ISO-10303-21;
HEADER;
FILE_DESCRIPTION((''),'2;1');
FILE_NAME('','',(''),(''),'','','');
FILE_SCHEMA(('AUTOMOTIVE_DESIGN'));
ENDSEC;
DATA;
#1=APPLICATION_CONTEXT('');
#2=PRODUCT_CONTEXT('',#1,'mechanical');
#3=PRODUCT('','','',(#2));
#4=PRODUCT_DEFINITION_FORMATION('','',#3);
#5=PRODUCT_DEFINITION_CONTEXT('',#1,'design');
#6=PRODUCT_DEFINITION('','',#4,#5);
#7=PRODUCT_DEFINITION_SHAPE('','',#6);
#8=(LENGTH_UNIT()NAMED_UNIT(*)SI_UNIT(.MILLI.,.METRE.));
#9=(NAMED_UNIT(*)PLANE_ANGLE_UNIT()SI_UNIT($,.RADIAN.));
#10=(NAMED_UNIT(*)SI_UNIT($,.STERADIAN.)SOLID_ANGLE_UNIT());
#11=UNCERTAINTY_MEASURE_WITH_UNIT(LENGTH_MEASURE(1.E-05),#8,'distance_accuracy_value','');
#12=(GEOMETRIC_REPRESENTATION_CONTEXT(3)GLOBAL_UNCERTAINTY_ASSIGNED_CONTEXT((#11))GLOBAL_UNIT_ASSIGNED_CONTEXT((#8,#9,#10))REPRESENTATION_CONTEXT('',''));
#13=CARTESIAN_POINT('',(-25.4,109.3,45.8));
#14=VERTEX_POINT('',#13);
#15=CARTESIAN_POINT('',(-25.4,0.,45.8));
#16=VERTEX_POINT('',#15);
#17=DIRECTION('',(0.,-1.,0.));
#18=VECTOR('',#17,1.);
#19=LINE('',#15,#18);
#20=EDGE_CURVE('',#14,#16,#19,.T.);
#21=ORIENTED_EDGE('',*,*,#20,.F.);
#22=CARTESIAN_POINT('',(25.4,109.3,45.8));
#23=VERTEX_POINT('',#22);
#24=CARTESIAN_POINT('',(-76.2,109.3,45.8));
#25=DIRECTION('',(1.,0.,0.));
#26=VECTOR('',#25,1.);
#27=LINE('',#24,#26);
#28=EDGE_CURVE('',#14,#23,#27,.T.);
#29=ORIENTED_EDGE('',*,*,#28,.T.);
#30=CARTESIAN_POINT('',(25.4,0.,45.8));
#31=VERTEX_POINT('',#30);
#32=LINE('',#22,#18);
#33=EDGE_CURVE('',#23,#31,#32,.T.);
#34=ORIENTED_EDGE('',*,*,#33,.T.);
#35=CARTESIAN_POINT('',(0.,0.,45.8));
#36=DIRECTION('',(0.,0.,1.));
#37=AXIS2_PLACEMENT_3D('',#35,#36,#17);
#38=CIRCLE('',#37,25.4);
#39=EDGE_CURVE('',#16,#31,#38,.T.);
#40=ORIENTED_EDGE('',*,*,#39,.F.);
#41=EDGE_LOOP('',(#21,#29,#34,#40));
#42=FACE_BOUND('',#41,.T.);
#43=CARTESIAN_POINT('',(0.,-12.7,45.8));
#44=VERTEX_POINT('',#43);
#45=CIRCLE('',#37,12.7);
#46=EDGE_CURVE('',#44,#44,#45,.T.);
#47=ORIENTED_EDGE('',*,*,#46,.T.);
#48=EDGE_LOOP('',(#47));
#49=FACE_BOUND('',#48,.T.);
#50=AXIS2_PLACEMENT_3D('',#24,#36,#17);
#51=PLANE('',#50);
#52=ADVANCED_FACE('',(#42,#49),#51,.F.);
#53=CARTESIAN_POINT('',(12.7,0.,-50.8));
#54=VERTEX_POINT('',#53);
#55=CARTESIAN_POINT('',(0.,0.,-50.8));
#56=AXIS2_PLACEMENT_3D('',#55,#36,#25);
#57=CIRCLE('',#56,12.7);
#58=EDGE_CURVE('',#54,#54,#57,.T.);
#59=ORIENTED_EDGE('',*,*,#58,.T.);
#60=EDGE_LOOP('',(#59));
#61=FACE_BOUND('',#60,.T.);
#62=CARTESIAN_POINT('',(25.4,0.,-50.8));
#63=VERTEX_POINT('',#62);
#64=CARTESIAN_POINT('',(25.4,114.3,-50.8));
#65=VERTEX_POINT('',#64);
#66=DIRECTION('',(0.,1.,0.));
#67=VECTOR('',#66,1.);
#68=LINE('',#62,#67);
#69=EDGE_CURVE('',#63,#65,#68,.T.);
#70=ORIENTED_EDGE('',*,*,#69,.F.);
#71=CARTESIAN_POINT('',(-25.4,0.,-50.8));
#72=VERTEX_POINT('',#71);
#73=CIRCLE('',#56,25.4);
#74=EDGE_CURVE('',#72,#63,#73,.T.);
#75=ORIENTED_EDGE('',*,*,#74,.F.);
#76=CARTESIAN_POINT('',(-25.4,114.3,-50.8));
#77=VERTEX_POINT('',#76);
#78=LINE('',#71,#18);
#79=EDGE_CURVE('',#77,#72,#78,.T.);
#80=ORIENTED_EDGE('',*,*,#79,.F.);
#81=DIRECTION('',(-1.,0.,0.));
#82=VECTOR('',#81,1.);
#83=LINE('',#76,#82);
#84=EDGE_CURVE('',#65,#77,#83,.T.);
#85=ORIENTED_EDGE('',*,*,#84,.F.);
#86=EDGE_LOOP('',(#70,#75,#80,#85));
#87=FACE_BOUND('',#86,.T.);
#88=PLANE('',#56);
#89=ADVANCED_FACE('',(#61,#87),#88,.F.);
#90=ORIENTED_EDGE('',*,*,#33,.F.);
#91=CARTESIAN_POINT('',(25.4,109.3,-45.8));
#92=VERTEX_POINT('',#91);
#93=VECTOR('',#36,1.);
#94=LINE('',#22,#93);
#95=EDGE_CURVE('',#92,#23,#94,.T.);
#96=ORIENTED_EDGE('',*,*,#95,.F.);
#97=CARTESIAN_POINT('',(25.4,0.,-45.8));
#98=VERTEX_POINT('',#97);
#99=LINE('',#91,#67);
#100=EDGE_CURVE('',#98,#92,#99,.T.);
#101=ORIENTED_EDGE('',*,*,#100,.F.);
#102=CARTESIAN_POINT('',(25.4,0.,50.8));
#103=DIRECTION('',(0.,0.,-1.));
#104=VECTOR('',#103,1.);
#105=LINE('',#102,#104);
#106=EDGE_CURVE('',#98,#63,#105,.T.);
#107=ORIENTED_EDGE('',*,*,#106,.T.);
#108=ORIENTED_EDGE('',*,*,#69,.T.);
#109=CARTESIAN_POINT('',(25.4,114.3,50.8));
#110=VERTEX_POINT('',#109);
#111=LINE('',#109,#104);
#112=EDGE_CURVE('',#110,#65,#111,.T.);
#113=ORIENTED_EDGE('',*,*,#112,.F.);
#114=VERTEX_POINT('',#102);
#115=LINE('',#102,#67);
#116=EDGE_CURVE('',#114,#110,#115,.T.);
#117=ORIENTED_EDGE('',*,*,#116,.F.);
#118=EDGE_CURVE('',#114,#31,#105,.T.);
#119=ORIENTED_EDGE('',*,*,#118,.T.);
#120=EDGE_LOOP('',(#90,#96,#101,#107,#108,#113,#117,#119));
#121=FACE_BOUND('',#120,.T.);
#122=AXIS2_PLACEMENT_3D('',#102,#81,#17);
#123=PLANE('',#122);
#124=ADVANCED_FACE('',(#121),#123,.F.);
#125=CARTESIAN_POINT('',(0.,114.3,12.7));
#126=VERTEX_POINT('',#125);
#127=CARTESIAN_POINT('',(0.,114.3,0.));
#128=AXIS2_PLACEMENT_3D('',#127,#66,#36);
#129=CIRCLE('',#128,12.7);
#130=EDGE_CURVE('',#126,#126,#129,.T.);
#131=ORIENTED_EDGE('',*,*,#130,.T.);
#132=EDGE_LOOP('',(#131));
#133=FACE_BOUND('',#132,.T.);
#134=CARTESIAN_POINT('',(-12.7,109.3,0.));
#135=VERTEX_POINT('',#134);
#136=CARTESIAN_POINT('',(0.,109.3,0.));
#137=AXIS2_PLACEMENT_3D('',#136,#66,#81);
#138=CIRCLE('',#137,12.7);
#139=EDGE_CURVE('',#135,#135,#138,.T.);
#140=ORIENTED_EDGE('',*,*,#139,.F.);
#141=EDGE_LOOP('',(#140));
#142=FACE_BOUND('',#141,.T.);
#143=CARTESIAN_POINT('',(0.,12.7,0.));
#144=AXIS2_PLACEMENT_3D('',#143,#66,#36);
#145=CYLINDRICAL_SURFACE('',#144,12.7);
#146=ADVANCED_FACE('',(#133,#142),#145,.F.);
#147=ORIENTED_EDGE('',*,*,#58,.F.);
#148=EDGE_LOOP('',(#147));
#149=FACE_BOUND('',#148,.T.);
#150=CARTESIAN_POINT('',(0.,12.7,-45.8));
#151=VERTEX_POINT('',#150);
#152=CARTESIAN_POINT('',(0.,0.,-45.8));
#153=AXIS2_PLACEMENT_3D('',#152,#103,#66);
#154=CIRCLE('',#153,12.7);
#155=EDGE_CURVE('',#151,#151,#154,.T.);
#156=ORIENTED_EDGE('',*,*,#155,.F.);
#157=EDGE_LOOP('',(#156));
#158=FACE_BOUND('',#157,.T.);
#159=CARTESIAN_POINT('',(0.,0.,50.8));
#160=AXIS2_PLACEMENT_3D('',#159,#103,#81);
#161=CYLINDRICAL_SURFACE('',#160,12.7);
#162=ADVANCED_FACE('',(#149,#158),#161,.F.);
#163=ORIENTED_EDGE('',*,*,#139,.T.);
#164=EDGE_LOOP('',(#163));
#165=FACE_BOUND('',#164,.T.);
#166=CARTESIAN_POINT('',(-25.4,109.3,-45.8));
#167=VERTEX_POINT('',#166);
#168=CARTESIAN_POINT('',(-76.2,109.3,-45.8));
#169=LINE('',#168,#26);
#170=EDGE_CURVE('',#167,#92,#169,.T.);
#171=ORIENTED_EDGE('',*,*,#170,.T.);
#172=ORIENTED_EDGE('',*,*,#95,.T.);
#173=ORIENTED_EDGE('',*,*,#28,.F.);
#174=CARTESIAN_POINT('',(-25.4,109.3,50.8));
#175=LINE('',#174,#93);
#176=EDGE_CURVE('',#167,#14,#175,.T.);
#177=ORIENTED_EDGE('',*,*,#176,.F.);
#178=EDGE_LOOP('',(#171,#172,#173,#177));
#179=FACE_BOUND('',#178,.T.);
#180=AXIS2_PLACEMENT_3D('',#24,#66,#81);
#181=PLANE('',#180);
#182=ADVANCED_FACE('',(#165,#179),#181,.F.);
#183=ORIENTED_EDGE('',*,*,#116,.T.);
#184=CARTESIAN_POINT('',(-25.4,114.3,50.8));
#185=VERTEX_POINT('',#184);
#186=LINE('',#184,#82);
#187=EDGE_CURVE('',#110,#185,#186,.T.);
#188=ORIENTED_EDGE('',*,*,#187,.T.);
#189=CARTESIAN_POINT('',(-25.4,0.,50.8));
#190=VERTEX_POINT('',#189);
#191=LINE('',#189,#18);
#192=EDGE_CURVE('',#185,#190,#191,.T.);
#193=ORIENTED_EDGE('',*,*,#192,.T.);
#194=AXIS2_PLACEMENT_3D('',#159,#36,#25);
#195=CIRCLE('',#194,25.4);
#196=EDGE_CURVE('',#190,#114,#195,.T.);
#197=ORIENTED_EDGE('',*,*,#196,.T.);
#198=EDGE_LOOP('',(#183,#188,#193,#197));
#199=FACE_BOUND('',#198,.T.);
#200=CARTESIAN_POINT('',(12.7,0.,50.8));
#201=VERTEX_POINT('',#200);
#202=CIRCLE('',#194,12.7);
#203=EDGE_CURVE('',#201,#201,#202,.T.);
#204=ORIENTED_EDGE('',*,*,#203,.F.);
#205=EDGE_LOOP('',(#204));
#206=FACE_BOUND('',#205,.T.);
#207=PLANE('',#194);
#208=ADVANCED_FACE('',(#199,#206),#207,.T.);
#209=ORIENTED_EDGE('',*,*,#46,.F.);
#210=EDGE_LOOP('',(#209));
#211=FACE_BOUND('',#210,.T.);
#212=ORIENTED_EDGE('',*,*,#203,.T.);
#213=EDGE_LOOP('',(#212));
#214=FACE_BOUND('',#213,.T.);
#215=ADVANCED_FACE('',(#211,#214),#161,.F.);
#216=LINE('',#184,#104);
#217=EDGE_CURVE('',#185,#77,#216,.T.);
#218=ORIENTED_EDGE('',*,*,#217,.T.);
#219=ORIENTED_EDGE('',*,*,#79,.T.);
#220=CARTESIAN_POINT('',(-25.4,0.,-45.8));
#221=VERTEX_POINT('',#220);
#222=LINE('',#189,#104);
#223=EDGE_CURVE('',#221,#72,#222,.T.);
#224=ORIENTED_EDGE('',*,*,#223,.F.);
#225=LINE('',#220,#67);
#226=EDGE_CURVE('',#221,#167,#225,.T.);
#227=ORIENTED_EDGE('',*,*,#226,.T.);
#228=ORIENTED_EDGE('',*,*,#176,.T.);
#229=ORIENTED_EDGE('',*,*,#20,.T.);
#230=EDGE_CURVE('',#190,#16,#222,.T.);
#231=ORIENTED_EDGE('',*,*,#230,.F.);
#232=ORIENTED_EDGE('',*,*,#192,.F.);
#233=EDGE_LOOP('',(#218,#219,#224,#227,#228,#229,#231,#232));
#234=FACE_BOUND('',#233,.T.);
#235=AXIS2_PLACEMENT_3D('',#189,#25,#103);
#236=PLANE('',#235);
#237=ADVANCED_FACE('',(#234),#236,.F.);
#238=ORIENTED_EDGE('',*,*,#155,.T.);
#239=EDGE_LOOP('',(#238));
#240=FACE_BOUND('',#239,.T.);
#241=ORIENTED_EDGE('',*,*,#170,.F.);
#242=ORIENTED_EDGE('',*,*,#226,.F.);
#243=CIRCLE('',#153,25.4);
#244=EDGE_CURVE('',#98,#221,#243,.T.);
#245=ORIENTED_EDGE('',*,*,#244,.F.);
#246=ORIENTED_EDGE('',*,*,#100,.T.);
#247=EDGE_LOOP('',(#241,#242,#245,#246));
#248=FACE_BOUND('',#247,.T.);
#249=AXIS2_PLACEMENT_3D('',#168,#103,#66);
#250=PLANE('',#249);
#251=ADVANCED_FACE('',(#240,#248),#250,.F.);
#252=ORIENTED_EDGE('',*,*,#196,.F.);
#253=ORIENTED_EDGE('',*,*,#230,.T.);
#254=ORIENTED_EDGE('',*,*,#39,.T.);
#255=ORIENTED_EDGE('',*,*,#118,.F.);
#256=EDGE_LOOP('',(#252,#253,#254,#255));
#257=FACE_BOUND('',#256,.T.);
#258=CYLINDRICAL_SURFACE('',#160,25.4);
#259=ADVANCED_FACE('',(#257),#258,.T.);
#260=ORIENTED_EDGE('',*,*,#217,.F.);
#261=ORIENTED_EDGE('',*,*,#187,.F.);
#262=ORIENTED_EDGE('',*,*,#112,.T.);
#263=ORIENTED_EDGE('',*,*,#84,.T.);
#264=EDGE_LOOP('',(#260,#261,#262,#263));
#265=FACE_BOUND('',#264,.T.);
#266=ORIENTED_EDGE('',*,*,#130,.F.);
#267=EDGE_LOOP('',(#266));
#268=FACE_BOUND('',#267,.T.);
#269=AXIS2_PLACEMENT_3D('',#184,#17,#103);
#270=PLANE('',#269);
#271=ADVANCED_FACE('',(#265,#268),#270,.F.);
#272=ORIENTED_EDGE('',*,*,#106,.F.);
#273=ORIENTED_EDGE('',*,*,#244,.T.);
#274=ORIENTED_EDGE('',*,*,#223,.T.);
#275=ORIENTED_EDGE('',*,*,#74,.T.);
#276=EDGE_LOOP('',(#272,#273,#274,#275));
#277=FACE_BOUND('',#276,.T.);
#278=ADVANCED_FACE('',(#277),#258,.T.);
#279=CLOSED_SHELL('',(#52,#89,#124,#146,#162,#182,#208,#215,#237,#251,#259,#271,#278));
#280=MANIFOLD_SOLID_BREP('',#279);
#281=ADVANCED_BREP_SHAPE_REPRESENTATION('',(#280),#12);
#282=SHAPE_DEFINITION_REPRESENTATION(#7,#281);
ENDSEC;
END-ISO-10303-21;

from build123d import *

# Parameters (mm, degrees)
SKETCH1_R           = 12.7
BOSS_EXTRUDE1_DEPTH = 50.8
SKETCH2_W           = 91.6
SKETCH2_H           = 134.7
CUT_EXTRUDE1_DEPTH  = 101.6
SKETCH3_R           = 12.7
CUT_EXTRUDE2_DEPTH  = 101.6


with BuildPart() as part:
    # Sketch1 → Boss-Extrude1 (new, symmetric)
    with BuildSketch(Plane.XY):
        with BuildLine():
            Line((-25.4, 0), (-25.4, 114.3))
            Line((-25.4, 114.3), (25.4, 114.3))
            Line((25.4, 114.3), (25.4, 0))
            ThreePointArc((25.4, 0), (0, -25.4), (-25.4, 0))
        make_face()
        Circle(SKETCH1_R, mode=Mode.SUBTRACT)
    extrude(amount=BOSS_EXTRUDE1_DEPTH, both=True)

    # Sketch2 → Cut-Extrude1 (cut)
    with BuildSketch(Plane(origin=(25.4, 0, 0), x_dir=(0, 0, -1), z_dir=(1, 0, 0))):
        with Locations((0, 41.95)):
            Rectangle(SKETCH2_W, SKETCH2_H)
    extrude(amount=-CUT_EXTRUDE1_DEPTH, mode=Mode.SUBTRACT)

    # Sketch3 → Cut-Extrude2 (cut)
    with BuildSketch(Plane(origin=(0, 114.3, 0), x_dir=(1, 0, 0), z_dir=(0, 1, 0))):
        Circle(SKETCH3_R)
    extrude(amount=-CUT_EXTRUDE2_DEPTH, mode=Mode.SUBTRACT)


solid = part.part
